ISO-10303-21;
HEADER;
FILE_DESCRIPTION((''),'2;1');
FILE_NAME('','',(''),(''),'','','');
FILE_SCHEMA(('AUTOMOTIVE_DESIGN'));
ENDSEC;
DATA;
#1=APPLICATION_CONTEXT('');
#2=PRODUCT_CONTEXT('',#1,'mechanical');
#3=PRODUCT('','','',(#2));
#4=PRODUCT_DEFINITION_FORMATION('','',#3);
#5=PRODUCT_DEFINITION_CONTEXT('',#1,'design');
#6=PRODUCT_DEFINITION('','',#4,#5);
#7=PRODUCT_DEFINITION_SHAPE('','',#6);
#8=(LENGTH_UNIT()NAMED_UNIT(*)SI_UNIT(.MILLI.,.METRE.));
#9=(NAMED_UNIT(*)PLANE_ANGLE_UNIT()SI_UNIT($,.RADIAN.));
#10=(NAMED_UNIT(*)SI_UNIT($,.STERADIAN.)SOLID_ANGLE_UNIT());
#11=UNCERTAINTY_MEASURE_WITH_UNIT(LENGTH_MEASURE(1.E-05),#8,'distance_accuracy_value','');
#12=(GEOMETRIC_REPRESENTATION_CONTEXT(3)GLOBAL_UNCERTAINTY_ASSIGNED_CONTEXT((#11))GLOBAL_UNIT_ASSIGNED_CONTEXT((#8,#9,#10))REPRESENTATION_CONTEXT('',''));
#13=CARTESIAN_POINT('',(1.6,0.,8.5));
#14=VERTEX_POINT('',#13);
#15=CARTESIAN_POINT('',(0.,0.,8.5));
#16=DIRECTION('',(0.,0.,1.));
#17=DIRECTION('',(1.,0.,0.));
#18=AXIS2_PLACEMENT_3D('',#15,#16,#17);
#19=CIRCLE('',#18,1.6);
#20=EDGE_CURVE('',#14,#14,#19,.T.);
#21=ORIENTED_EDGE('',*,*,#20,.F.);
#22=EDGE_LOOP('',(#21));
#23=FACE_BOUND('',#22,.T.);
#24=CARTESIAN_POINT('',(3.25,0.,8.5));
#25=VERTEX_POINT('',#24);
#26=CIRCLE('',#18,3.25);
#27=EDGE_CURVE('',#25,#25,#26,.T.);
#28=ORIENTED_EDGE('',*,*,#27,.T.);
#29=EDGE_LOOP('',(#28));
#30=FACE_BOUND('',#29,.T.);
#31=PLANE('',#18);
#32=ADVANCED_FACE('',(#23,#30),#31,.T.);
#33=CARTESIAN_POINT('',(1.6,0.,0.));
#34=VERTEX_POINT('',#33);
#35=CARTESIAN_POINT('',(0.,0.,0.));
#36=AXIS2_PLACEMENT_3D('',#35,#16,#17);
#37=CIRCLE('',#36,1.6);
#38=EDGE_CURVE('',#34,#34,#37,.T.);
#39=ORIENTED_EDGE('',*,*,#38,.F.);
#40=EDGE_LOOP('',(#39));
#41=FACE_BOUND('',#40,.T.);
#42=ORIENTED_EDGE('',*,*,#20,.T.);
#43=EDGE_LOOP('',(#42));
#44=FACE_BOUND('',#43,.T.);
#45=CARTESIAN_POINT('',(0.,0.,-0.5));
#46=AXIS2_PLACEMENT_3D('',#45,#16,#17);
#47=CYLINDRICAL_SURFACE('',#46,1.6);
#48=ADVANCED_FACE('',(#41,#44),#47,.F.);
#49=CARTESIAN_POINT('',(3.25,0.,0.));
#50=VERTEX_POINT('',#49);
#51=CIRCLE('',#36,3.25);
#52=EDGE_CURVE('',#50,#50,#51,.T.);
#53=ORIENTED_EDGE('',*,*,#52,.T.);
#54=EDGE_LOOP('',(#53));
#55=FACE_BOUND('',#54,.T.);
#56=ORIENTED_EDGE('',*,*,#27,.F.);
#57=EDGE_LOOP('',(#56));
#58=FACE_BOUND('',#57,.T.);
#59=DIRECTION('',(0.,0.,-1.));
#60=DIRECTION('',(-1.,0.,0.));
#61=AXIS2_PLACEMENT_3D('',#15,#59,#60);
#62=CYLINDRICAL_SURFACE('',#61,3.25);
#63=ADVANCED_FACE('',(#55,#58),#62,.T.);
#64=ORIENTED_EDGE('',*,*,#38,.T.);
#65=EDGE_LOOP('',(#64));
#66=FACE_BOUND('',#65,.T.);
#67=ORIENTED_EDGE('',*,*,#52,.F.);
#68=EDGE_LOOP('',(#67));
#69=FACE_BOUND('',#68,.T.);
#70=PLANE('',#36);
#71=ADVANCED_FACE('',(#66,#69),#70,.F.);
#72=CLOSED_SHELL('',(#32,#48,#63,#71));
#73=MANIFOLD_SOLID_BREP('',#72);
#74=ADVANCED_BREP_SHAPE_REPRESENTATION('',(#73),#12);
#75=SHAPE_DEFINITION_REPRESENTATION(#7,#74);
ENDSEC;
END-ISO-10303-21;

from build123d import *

# Parameters (mm, degrees)
CROQUIS1_R              = 3.25
SALIENTE_EXTRUIR1_DEPTH = 8.5
CROQUIS2_R              = 1.6
CORTAR_EXTRUIR1_DEPTH   = 9


with BuildPart() as part:
    # Croquis1 → Saliente-Extruir1 (new body)
    with BuildSketch(Plane.XY):
        Circle(CROQUIS1_R)
    extrude(amount=SALIENTE_EXTRUIR1_DEPTH)

    # Croquis2 → Cortar-Extruir1 (cut)
    with BuildSketch(Plane.XY.offset(8.5)):
        Circle(CROQUIS2_R)
    extrude(amount=-CORTAR_EXTRUIR1_DEPTH, mode=Mode.SUBTRACT)


solid = part.part
